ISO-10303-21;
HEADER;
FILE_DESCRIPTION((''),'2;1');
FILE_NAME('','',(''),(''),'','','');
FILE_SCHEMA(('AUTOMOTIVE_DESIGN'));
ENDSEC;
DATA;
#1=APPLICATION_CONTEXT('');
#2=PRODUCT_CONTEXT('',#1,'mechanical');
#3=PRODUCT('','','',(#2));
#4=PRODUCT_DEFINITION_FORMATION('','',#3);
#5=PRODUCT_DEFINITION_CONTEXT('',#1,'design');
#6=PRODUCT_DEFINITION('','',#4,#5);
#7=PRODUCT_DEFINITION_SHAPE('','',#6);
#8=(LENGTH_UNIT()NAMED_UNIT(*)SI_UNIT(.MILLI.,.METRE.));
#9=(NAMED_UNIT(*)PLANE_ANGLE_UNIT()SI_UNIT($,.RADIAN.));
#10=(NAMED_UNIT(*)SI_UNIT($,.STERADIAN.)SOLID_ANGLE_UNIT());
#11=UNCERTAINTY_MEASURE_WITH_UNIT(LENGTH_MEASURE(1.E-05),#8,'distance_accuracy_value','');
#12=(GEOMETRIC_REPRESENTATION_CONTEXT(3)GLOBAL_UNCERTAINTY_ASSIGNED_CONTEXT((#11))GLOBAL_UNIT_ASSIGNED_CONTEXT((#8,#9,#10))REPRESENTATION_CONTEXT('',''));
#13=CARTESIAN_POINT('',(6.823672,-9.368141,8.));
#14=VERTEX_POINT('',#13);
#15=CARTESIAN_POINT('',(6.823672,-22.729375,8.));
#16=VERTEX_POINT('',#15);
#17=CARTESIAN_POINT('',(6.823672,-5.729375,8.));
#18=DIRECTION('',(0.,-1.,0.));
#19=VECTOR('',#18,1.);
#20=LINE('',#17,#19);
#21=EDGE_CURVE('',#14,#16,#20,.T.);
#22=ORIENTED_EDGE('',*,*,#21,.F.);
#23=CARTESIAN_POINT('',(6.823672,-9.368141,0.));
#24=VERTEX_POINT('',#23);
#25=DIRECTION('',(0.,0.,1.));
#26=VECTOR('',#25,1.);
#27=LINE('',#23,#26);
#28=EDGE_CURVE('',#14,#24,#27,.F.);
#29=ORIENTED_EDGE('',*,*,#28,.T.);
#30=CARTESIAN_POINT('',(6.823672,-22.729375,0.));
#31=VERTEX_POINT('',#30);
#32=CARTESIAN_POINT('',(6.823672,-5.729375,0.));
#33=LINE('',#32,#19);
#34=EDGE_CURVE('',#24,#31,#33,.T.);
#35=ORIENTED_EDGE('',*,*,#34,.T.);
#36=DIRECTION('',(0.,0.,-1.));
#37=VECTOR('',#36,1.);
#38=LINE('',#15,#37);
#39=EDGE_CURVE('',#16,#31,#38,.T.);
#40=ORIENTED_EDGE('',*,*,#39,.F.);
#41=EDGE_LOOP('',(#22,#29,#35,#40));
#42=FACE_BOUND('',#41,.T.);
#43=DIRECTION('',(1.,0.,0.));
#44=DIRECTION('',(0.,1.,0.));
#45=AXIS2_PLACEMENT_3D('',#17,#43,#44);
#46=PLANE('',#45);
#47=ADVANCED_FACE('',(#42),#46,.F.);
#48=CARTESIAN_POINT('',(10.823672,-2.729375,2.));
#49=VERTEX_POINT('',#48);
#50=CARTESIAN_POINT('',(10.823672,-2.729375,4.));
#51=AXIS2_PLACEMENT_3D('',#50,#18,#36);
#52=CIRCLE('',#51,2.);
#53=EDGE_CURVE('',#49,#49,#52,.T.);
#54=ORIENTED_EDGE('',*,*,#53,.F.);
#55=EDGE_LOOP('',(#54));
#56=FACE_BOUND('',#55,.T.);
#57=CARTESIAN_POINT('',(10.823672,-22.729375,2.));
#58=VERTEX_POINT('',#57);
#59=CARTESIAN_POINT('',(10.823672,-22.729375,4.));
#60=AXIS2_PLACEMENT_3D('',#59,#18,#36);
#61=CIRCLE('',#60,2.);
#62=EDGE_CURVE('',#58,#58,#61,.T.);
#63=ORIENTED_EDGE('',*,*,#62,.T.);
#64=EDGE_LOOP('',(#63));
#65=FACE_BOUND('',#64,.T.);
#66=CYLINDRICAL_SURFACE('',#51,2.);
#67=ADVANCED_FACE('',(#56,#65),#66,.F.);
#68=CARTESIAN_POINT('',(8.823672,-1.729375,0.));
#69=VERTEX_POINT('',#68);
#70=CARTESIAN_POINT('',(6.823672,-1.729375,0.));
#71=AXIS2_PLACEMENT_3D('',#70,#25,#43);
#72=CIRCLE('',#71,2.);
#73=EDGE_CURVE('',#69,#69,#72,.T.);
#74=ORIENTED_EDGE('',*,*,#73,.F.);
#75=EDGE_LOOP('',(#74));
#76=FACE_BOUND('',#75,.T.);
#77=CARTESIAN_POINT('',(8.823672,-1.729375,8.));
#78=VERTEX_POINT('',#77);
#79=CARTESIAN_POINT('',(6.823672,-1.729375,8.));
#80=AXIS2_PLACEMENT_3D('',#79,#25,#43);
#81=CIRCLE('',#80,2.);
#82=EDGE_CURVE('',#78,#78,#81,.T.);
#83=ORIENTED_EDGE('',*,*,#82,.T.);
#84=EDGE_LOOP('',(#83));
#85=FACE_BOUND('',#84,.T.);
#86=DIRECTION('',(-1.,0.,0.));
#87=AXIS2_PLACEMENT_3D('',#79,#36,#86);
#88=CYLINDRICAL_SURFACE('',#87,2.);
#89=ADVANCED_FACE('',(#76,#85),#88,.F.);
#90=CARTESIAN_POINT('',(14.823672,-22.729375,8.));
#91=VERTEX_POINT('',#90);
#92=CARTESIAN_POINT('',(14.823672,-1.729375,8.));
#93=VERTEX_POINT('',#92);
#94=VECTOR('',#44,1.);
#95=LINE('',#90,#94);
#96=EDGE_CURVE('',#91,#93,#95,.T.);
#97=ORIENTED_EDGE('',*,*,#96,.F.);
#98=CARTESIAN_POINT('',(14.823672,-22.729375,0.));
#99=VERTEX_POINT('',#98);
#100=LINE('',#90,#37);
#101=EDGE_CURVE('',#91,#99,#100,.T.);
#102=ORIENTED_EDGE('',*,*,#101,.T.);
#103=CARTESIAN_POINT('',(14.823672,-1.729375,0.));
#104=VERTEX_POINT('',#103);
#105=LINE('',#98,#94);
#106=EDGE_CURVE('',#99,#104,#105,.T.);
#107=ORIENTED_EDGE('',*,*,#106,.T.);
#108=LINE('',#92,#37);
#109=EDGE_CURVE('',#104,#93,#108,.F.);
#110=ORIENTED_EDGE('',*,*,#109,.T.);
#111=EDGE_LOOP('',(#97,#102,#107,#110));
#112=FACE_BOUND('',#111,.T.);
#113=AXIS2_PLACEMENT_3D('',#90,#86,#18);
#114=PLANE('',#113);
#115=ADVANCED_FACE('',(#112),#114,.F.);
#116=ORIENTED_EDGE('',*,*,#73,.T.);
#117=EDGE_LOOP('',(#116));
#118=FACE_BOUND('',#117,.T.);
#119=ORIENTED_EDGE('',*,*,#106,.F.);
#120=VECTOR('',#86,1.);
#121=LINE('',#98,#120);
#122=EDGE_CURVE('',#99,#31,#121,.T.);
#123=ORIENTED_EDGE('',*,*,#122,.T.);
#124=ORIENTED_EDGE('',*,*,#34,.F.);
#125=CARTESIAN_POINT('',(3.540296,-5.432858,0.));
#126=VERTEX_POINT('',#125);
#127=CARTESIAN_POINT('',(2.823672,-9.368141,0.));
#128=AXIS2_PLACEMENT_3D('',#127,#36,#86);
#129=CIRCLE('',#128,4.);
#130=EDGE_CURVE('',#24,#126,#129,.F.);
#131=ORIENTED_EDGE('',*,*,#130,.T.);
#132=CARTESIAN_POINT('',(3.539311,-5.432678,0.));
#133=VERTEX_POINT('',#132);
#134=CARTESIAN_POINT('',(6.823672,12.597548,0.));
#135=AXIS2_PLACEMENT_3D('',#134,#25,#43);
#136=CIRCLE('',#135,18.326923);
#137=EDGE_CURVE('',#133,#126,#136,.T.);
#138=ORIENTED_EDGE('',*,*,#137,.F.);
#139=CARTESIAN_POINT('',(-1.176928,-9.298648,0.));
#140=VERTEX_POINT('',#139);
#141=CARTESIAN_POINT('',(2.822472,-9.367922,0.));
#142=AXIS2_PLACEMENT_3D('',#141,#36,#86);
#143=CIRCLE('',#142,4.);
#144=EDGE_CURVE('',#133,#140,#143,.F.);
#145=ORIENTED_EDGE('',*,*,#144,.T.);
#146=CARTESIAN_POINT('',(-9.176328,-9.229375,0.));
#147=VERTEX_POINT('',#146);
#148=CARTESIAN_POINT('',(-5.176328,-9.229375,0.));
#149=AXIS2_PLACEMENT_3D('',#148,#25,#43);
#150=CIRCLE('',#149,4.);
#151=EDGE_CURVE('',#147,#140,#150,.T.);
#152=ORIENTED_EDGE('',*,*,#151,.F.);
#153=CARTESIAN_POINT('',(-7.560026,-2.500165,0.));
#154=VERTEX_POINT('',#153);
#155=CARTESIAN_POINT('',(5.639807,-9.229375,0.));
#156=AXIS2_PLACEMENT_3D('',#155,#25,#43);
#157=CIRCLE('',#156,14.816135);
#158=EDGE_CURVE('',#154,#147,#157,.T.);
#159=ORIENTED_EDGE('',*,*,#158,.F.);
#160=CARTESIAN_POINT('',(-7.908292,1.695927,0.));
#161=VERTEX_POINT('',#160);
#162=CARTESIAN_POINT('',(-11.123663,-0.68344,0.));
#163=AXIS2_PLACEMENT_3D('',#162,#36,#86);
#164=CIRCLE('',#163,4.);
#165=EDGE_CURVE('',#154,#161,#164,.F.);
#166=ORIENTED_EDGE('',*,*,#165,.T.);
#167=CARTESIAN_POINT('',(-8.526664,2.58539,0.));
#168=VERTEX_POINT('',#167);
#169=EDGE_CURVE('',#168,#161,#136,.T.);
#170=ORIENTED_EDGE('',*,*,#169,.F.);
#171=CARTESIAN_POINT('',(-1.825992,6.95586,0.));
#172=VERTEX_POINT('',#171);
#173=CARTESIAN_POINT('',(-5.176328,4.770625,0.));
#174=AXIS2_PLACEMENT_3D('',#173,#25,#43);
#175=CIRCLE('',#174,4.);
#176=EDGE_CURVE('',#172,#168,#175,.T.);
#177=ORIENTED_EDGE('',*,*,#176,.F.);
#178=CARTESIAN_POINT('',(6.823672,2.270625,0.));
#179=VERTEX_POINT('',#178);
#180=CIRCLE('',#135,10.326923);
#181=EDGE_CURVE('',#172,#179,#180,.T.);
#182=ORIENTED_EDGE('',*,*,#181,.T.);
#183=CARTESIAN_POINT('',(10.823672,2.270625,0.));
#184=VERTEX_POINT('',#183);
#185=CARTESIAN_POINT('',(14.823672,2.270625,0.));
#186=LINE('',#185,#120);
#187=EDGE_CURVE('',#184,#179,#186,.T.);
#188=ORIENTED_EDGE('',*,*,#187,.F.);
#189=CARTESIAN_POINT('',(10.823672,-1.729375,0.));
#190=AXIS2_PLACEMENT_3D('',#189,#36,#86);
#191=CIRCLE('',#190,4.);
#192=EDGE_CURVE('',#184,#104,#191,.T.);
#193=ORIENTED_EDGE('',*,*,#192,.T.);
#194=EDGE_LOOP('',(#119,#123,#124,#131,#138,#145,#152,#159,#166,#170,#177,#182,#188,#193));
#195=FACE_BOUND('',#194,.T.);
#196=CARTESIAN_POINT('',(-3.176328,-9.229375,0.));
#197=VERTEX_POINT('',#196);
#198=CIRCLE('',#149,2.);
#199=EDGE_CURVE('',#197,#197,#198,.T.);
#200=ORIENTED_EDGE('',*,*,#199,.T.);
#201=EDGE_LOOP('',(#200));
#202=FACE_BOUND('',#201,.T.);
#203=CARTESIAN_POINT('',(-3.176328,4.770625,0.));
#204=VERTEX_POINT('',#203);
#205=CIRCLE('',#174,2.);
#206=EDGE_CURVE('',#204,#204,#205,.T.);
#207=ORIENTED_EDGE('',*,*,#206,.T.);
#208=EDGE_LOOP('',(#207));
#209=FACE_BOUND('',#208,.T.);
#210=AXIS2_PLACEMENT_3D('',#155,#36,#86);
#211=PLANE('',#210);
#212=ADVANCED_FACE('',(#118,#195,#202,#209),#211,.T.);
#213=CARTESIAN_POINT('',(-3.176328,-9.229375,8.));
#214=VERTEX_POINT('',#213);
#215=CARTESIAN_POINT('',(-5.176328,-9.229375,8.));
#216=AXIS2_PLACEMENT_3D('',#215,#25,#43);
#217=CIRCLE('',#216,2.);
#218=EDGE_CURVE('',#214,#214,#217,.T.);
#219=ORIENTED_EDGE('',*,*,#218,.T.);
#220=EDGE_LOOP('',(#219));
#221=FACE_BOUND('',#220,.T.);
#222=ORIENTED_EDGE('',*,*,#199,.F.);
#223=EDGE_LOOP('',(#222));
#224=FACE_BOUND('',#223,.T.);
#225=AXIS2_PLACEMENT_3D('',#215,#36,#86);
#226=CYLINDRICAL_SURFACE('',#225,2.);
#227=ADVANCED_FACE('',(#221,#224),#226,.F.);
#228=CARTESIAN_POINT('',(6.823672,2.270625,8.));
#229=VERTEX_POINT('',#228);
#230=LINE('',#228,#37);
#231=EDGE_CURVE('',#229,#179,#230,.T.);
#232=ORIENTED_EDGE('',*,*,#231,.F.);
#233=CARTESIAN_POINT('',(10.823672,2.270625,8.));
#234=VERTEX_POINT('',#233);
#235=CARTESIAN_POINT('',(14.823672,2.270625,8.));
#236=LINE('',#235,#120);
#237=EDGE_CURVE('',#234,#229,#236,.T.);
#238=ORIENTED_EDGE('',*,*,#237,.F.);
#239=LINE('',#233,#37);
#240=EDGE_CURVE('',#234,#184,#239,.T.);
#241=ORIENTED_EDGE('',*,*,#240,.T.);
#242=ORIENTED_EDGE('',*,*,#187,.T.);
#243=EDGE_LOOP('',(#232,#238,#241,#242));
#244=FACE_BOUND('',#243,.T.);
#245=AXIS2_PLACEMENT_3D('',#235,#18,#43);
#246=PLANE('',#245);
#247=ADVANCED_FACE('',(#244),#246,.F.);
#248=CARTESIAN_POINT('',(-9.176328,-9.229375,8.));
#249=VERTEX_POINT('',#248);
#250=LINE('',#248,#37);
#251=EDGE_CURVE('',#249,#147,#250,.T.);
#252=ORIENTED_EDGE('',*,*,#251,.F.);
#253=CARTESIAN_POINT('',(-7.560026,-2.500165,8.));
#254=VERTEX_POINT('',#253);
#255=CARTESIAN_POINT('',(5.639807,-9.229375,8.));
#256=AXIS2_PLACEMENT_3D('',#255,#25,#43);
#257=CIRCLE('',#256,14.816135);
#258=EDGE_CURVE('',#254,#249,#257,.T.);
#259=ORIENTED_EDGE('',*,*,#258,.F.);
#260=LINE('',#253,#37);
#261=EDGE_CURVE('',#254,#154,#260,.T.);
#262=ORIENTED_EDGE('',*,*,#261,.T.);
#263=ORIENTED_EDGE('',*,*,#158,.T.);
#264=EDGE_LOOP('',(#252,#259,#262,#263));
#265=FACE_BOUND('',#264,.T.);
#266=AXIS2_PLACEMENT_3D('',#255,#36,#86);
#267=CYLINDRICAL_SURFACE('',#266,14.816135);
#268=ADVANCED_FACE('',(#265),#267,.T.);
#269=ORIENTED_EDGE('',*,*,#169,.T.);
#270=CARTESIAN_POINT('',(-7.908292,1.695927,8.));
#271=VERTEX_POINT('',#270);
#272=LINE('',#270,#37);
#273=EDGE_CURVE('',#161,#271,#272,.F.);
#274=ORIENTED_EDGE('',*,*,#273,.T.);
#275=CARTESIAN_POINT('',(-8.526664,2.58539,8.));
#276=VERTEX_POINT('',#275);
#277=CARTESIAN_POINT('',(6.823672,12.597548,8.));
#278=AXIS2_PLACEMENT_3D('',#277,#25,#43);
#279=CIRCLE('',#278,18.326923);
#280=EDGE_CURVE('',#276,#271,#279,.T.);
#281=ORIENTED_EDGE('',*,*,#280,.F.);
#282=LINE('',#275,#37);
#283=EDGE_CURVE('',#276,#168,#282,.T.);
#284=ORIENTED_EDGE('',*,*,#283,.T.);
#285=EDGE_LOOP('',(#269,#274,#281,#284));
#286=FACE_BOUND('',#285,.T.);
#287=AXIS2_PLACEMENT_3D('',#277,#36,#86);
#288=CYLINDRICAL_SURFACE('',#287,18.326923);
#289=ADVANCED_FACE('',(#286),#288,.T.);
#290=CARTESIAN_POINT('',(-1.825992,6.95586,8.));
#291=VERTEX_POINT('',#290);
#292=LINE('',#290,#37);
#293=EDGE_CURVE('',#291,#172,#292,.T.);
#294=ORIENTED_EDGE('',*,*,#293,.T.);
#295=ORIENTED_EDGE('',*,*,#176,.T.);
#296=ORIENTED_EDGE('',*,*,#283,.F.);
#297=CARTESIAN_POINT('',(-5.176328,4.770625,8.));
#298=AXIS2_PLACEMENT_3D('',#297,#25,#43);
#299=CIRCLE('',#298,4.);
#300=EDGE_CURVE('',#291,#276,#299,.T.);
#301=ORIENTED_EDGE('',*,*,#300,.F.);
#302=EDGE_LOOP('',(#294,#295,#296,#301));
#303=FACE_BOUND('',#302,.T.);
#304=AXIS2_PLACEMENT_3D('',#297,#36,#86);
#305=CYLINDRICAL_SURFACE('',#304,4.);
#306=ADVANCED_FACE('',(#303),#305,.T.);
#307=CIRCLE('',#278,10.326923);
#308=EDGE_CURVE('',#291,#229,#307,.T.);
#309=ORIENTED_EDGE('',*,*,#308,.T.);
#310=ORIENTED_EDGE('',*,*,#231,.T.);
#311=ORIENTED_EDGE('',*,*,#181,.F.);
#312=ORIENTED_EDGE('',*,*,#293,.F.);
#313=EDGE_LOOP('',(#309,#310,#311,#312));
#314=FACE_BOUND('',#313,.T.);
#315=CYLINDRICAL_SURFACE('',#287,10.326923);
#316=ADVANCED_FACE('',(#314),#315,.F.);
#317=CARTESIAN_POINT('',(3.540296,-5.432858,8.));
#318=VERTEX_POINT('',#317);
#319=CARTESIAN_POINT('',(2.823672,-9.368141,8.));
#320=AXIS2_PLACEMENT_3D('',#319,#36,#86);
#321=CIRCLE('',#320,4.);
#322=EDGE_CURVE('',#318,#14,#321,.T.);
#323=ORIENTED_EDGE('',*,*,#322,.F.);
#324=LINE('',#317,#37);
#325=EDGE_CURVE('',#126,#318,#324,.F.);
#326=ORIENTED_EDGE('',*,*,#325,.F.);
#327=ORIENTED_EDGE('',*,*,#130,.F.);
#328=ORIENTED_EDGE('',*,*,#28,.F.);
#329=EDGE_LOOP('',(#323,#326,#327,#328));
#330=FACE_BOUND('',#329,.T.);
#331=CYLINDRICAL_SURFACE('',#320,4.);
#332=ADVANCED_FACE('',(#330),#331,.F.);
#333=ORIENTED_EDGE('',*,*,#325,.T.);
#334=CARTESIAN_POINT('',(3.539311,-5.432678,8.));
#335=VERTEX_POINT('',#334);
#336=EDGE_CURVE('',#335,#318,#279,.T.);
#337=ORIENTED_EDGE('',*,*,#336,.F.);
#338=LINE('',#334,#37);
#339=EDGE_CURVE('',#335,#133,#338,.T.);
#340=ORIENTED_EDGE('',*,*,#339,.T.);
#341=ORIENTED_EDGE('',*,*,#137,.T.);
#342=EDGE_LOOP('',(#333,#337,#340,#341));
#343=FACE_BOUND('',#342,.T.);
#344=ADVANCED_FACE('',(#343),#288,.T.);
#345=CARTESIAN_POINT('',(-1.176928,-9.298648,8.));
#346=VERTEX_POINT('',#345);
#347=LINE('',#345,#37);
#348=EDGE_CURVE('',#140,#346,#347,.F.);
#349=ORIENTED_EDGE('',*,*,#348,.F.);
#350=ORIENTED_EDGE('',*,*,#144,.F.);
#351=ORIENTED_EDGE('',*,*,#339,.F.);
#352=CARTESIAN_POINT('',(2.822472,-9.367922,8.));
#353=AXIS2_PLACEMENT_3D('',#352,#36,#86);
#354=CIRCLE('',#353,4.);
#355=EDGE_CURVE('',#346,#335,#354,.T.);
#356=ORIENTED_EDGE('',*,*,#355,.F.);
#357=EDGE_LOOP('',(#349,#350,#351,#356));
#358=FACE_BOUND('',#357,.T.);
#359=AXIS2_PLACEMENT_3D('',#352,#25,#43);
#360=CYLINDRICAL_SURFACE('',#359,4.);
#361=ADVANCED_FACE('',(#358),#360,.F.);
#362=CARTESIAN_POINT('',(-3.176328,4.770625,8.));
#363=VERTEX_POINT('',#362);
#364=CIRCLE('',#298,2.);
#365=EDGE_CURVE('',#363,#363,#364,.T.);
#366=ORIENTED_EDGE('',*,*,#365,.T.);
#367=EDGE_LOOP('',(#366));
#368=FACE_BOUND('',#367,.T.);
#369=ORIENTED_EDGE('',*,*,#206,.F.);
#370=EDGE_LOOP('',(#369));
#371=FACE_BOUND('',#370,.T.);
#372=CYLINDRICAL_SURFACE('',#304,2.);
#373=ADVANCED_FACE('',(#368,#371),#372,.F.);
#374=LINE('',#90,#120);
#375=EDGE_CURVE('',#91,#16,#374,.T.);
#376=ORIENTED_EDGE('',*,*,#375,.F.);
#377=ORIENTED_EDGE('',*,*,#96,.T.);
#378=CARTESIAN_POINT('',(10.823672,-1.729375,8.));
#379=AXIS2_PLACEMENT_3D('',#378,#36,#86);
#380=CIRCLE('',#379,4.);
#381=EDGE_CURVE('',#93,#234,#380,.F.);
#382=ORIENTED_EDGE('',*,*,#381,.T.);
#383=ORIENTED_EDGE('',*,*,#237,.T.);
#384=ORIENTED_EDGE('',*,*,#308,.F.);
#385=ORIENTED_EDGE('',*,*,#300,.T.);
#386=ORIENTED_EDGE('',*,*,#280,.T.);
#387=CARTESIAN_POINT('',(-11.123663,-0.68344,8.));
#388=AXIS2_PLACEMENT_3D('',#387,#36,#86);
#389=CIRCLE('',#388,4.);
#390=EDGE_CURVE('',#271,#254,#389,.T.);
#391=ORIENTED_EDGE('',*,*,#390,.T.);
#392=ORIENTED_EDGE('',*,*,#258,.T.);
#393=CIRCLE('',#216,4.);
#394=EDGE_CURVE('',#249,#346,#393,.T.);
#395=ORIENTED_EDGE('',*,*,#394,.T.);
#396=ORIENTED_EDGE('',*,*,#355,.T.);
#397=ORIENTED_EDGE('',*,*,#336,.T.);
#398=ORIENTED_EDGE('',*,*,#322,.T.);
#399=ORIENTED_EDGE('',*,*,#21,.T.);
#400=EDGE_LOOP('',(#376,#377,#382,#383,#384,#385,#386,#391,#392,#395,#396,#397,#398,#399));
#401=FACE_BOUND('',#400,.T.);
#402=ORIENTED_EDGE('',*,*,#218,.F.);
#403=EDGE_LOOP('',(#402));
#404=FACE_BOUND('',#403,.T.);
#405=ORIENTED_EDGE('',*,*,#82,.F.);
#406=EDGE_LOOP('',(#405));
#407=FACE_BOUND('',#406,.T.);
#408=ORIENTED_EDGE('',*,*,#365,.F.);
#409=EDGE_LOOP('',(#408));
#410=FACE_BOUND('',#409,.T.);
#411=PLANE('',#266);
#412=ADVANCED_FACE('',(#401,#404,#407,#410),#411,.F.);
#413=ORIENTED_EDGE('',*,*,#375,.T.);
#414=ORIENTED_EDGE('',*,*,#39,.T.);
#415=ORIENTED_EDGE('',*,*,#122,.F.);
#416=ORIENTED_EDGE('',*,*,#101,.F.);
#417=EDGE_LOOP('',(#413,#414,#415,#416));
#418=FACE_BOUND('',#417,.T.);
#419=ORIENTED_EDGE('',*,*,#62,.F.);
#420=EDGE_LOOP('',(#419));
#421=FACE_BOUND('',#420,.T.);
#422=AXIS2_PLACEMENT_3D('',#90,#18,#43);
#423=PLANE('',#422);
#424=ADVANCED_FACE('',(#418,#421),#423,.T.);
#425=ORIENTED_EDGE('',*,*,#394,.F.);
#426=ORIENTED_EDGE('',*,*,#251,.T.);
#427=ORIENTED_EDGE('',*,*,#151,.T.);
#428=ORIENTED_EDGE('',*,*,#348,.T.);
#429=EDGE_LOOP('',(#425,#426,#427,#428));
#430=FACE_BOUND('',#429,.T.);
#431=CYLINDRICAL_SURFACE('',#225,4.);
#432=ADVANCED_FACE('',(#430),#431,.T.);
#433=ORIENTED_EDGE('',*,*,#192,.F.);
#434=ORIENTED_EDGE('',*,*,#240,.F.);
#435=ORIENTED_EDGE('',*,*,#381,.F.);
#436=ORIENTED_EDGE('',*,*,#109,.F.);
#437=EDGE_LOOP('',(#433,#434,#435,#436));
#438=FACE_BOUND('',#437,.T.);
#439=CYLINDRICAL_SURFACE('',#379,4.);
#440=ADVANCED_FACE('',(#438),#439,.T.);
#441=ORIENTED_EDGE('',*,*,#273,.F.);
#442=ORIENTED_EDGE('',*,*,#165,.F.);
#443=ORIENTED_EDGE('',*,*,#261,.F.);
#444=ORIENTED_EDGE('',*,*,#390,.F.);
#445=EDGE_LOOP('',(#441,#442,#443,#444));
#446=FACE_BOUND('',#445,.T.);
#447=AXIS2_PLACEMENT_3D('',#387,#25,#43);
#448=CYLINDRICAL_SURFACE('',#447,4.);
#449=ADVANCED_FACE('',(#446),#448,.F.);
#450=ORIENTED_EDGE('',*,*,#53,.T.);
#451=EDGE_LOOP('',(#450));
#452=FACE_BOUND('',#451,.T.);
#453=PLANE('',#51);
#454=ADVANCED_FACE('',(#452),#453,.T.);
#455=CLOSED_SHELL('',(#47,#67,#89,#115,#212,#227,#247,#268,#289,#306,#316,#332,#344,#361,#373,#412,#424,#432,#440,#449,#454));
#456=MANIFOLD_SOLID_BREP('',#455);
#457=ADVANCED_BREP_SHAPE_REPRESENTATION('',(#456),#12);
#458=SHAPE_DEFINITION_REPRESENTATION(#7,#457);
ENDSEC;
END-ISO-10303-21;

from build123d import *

# Parameters (mm, degrees)
ESQUISSE1_R             = 2
BOSS_EXTRU_1_DEPTH      = 8
ESQUISSE2_R             = 2
ENL_V_MAT_EXTRU_1_DEPTH = 20
CONG_1_R                = 4


with BuildPart() as part:
    # Esquisse1 → Boss.-Extru.1 (new body)
    with BuildSketch(Plane.XY):
        with BuildLine():
            Line((14.823672032, -22.72937471), (6.823672032, -22.72937471))
            Line((6.823672032, -22.72937471), (6.823672032, -5.72937471))
            ThreePointArc((6.823672032, -5.72937471), (3.664545235, -5.455042233), (0.599995261, -4.640257669))
            ThreePointArc((0.599995261, -4.640257669), (-0.7167539, -6.768921529), (-1.176327968, -9.22937471))
            ThreePointArc((-1.176327968, -9.22937471), (-5.176327968, -13.22937471), (-9.176327968, -9.22937471))
            ThreePointArc((-9.176327968, -9.22937471), (-8.40967046, -4.525117147), (-6.189038967, -0.307701027))
            ThreePointArc((-6.189038967, -0.307701027), (-7.431435725, 1.079388257), (-8.526663538, 2.58539039))
            ThreePointArc((-8.526663538, 2.58539039), (-7.361562867, 8.12096086), (-1.825992398, 6.955860189))
            ThreePointArc((-1.825992398, 6.955860189), (1.905132594, 3.517167866), (6.823672032, 2.27062529))
            Line((6.823672032, 2.27062529), (14.823672032, 2.27062529))
            Line((14.823672032, 2.27062529), (14.823672032, -22.72937471))
        make_face()
        with Locations((-5.176327968, 4.77062529)):
            Circle(ESQUISSE1_R, mode=Mode.SUBTRACT)
        with Locations((6.823672032, -1.72937471)):
            Circle(ESQUISSE1_R, mode=Mode.SUBTRACT)
        with Locations((-5.176327968, -9.22937471)):
            Circle(ESQUISSE1_R, mode=Mode.SUBTRACT)
    extrude(amount=BOSS_EXTRU_1_DEPTH)

    # Esquisse2 → Enlèv. mat.-Extru.1 (cut)
    with BuildSketch(Plane.XZ.offset(22.72937471)):
        with Locations((10.823672032, 4)):
            Circle(ESQUISSE2_R)
    extrude(amount=-ENL_V_MAT_EXTRU_1_DEPTH, mode=Mode.SUBTRACT)

    # Congé1
    cong_1_edges = [part.edges().sort_by_distance(p)[0] for p in [
        (-6.189038967, -0.307701027, 4),
        (0.599995261, -4.640257669, 4),
        (6.823672032, -5.72937471, 4),
        (14.823672032, 2.27062529, 4),
    ]]
    fillet(cong_1_edges, radius=CONG_1_R)


solid = part.part
